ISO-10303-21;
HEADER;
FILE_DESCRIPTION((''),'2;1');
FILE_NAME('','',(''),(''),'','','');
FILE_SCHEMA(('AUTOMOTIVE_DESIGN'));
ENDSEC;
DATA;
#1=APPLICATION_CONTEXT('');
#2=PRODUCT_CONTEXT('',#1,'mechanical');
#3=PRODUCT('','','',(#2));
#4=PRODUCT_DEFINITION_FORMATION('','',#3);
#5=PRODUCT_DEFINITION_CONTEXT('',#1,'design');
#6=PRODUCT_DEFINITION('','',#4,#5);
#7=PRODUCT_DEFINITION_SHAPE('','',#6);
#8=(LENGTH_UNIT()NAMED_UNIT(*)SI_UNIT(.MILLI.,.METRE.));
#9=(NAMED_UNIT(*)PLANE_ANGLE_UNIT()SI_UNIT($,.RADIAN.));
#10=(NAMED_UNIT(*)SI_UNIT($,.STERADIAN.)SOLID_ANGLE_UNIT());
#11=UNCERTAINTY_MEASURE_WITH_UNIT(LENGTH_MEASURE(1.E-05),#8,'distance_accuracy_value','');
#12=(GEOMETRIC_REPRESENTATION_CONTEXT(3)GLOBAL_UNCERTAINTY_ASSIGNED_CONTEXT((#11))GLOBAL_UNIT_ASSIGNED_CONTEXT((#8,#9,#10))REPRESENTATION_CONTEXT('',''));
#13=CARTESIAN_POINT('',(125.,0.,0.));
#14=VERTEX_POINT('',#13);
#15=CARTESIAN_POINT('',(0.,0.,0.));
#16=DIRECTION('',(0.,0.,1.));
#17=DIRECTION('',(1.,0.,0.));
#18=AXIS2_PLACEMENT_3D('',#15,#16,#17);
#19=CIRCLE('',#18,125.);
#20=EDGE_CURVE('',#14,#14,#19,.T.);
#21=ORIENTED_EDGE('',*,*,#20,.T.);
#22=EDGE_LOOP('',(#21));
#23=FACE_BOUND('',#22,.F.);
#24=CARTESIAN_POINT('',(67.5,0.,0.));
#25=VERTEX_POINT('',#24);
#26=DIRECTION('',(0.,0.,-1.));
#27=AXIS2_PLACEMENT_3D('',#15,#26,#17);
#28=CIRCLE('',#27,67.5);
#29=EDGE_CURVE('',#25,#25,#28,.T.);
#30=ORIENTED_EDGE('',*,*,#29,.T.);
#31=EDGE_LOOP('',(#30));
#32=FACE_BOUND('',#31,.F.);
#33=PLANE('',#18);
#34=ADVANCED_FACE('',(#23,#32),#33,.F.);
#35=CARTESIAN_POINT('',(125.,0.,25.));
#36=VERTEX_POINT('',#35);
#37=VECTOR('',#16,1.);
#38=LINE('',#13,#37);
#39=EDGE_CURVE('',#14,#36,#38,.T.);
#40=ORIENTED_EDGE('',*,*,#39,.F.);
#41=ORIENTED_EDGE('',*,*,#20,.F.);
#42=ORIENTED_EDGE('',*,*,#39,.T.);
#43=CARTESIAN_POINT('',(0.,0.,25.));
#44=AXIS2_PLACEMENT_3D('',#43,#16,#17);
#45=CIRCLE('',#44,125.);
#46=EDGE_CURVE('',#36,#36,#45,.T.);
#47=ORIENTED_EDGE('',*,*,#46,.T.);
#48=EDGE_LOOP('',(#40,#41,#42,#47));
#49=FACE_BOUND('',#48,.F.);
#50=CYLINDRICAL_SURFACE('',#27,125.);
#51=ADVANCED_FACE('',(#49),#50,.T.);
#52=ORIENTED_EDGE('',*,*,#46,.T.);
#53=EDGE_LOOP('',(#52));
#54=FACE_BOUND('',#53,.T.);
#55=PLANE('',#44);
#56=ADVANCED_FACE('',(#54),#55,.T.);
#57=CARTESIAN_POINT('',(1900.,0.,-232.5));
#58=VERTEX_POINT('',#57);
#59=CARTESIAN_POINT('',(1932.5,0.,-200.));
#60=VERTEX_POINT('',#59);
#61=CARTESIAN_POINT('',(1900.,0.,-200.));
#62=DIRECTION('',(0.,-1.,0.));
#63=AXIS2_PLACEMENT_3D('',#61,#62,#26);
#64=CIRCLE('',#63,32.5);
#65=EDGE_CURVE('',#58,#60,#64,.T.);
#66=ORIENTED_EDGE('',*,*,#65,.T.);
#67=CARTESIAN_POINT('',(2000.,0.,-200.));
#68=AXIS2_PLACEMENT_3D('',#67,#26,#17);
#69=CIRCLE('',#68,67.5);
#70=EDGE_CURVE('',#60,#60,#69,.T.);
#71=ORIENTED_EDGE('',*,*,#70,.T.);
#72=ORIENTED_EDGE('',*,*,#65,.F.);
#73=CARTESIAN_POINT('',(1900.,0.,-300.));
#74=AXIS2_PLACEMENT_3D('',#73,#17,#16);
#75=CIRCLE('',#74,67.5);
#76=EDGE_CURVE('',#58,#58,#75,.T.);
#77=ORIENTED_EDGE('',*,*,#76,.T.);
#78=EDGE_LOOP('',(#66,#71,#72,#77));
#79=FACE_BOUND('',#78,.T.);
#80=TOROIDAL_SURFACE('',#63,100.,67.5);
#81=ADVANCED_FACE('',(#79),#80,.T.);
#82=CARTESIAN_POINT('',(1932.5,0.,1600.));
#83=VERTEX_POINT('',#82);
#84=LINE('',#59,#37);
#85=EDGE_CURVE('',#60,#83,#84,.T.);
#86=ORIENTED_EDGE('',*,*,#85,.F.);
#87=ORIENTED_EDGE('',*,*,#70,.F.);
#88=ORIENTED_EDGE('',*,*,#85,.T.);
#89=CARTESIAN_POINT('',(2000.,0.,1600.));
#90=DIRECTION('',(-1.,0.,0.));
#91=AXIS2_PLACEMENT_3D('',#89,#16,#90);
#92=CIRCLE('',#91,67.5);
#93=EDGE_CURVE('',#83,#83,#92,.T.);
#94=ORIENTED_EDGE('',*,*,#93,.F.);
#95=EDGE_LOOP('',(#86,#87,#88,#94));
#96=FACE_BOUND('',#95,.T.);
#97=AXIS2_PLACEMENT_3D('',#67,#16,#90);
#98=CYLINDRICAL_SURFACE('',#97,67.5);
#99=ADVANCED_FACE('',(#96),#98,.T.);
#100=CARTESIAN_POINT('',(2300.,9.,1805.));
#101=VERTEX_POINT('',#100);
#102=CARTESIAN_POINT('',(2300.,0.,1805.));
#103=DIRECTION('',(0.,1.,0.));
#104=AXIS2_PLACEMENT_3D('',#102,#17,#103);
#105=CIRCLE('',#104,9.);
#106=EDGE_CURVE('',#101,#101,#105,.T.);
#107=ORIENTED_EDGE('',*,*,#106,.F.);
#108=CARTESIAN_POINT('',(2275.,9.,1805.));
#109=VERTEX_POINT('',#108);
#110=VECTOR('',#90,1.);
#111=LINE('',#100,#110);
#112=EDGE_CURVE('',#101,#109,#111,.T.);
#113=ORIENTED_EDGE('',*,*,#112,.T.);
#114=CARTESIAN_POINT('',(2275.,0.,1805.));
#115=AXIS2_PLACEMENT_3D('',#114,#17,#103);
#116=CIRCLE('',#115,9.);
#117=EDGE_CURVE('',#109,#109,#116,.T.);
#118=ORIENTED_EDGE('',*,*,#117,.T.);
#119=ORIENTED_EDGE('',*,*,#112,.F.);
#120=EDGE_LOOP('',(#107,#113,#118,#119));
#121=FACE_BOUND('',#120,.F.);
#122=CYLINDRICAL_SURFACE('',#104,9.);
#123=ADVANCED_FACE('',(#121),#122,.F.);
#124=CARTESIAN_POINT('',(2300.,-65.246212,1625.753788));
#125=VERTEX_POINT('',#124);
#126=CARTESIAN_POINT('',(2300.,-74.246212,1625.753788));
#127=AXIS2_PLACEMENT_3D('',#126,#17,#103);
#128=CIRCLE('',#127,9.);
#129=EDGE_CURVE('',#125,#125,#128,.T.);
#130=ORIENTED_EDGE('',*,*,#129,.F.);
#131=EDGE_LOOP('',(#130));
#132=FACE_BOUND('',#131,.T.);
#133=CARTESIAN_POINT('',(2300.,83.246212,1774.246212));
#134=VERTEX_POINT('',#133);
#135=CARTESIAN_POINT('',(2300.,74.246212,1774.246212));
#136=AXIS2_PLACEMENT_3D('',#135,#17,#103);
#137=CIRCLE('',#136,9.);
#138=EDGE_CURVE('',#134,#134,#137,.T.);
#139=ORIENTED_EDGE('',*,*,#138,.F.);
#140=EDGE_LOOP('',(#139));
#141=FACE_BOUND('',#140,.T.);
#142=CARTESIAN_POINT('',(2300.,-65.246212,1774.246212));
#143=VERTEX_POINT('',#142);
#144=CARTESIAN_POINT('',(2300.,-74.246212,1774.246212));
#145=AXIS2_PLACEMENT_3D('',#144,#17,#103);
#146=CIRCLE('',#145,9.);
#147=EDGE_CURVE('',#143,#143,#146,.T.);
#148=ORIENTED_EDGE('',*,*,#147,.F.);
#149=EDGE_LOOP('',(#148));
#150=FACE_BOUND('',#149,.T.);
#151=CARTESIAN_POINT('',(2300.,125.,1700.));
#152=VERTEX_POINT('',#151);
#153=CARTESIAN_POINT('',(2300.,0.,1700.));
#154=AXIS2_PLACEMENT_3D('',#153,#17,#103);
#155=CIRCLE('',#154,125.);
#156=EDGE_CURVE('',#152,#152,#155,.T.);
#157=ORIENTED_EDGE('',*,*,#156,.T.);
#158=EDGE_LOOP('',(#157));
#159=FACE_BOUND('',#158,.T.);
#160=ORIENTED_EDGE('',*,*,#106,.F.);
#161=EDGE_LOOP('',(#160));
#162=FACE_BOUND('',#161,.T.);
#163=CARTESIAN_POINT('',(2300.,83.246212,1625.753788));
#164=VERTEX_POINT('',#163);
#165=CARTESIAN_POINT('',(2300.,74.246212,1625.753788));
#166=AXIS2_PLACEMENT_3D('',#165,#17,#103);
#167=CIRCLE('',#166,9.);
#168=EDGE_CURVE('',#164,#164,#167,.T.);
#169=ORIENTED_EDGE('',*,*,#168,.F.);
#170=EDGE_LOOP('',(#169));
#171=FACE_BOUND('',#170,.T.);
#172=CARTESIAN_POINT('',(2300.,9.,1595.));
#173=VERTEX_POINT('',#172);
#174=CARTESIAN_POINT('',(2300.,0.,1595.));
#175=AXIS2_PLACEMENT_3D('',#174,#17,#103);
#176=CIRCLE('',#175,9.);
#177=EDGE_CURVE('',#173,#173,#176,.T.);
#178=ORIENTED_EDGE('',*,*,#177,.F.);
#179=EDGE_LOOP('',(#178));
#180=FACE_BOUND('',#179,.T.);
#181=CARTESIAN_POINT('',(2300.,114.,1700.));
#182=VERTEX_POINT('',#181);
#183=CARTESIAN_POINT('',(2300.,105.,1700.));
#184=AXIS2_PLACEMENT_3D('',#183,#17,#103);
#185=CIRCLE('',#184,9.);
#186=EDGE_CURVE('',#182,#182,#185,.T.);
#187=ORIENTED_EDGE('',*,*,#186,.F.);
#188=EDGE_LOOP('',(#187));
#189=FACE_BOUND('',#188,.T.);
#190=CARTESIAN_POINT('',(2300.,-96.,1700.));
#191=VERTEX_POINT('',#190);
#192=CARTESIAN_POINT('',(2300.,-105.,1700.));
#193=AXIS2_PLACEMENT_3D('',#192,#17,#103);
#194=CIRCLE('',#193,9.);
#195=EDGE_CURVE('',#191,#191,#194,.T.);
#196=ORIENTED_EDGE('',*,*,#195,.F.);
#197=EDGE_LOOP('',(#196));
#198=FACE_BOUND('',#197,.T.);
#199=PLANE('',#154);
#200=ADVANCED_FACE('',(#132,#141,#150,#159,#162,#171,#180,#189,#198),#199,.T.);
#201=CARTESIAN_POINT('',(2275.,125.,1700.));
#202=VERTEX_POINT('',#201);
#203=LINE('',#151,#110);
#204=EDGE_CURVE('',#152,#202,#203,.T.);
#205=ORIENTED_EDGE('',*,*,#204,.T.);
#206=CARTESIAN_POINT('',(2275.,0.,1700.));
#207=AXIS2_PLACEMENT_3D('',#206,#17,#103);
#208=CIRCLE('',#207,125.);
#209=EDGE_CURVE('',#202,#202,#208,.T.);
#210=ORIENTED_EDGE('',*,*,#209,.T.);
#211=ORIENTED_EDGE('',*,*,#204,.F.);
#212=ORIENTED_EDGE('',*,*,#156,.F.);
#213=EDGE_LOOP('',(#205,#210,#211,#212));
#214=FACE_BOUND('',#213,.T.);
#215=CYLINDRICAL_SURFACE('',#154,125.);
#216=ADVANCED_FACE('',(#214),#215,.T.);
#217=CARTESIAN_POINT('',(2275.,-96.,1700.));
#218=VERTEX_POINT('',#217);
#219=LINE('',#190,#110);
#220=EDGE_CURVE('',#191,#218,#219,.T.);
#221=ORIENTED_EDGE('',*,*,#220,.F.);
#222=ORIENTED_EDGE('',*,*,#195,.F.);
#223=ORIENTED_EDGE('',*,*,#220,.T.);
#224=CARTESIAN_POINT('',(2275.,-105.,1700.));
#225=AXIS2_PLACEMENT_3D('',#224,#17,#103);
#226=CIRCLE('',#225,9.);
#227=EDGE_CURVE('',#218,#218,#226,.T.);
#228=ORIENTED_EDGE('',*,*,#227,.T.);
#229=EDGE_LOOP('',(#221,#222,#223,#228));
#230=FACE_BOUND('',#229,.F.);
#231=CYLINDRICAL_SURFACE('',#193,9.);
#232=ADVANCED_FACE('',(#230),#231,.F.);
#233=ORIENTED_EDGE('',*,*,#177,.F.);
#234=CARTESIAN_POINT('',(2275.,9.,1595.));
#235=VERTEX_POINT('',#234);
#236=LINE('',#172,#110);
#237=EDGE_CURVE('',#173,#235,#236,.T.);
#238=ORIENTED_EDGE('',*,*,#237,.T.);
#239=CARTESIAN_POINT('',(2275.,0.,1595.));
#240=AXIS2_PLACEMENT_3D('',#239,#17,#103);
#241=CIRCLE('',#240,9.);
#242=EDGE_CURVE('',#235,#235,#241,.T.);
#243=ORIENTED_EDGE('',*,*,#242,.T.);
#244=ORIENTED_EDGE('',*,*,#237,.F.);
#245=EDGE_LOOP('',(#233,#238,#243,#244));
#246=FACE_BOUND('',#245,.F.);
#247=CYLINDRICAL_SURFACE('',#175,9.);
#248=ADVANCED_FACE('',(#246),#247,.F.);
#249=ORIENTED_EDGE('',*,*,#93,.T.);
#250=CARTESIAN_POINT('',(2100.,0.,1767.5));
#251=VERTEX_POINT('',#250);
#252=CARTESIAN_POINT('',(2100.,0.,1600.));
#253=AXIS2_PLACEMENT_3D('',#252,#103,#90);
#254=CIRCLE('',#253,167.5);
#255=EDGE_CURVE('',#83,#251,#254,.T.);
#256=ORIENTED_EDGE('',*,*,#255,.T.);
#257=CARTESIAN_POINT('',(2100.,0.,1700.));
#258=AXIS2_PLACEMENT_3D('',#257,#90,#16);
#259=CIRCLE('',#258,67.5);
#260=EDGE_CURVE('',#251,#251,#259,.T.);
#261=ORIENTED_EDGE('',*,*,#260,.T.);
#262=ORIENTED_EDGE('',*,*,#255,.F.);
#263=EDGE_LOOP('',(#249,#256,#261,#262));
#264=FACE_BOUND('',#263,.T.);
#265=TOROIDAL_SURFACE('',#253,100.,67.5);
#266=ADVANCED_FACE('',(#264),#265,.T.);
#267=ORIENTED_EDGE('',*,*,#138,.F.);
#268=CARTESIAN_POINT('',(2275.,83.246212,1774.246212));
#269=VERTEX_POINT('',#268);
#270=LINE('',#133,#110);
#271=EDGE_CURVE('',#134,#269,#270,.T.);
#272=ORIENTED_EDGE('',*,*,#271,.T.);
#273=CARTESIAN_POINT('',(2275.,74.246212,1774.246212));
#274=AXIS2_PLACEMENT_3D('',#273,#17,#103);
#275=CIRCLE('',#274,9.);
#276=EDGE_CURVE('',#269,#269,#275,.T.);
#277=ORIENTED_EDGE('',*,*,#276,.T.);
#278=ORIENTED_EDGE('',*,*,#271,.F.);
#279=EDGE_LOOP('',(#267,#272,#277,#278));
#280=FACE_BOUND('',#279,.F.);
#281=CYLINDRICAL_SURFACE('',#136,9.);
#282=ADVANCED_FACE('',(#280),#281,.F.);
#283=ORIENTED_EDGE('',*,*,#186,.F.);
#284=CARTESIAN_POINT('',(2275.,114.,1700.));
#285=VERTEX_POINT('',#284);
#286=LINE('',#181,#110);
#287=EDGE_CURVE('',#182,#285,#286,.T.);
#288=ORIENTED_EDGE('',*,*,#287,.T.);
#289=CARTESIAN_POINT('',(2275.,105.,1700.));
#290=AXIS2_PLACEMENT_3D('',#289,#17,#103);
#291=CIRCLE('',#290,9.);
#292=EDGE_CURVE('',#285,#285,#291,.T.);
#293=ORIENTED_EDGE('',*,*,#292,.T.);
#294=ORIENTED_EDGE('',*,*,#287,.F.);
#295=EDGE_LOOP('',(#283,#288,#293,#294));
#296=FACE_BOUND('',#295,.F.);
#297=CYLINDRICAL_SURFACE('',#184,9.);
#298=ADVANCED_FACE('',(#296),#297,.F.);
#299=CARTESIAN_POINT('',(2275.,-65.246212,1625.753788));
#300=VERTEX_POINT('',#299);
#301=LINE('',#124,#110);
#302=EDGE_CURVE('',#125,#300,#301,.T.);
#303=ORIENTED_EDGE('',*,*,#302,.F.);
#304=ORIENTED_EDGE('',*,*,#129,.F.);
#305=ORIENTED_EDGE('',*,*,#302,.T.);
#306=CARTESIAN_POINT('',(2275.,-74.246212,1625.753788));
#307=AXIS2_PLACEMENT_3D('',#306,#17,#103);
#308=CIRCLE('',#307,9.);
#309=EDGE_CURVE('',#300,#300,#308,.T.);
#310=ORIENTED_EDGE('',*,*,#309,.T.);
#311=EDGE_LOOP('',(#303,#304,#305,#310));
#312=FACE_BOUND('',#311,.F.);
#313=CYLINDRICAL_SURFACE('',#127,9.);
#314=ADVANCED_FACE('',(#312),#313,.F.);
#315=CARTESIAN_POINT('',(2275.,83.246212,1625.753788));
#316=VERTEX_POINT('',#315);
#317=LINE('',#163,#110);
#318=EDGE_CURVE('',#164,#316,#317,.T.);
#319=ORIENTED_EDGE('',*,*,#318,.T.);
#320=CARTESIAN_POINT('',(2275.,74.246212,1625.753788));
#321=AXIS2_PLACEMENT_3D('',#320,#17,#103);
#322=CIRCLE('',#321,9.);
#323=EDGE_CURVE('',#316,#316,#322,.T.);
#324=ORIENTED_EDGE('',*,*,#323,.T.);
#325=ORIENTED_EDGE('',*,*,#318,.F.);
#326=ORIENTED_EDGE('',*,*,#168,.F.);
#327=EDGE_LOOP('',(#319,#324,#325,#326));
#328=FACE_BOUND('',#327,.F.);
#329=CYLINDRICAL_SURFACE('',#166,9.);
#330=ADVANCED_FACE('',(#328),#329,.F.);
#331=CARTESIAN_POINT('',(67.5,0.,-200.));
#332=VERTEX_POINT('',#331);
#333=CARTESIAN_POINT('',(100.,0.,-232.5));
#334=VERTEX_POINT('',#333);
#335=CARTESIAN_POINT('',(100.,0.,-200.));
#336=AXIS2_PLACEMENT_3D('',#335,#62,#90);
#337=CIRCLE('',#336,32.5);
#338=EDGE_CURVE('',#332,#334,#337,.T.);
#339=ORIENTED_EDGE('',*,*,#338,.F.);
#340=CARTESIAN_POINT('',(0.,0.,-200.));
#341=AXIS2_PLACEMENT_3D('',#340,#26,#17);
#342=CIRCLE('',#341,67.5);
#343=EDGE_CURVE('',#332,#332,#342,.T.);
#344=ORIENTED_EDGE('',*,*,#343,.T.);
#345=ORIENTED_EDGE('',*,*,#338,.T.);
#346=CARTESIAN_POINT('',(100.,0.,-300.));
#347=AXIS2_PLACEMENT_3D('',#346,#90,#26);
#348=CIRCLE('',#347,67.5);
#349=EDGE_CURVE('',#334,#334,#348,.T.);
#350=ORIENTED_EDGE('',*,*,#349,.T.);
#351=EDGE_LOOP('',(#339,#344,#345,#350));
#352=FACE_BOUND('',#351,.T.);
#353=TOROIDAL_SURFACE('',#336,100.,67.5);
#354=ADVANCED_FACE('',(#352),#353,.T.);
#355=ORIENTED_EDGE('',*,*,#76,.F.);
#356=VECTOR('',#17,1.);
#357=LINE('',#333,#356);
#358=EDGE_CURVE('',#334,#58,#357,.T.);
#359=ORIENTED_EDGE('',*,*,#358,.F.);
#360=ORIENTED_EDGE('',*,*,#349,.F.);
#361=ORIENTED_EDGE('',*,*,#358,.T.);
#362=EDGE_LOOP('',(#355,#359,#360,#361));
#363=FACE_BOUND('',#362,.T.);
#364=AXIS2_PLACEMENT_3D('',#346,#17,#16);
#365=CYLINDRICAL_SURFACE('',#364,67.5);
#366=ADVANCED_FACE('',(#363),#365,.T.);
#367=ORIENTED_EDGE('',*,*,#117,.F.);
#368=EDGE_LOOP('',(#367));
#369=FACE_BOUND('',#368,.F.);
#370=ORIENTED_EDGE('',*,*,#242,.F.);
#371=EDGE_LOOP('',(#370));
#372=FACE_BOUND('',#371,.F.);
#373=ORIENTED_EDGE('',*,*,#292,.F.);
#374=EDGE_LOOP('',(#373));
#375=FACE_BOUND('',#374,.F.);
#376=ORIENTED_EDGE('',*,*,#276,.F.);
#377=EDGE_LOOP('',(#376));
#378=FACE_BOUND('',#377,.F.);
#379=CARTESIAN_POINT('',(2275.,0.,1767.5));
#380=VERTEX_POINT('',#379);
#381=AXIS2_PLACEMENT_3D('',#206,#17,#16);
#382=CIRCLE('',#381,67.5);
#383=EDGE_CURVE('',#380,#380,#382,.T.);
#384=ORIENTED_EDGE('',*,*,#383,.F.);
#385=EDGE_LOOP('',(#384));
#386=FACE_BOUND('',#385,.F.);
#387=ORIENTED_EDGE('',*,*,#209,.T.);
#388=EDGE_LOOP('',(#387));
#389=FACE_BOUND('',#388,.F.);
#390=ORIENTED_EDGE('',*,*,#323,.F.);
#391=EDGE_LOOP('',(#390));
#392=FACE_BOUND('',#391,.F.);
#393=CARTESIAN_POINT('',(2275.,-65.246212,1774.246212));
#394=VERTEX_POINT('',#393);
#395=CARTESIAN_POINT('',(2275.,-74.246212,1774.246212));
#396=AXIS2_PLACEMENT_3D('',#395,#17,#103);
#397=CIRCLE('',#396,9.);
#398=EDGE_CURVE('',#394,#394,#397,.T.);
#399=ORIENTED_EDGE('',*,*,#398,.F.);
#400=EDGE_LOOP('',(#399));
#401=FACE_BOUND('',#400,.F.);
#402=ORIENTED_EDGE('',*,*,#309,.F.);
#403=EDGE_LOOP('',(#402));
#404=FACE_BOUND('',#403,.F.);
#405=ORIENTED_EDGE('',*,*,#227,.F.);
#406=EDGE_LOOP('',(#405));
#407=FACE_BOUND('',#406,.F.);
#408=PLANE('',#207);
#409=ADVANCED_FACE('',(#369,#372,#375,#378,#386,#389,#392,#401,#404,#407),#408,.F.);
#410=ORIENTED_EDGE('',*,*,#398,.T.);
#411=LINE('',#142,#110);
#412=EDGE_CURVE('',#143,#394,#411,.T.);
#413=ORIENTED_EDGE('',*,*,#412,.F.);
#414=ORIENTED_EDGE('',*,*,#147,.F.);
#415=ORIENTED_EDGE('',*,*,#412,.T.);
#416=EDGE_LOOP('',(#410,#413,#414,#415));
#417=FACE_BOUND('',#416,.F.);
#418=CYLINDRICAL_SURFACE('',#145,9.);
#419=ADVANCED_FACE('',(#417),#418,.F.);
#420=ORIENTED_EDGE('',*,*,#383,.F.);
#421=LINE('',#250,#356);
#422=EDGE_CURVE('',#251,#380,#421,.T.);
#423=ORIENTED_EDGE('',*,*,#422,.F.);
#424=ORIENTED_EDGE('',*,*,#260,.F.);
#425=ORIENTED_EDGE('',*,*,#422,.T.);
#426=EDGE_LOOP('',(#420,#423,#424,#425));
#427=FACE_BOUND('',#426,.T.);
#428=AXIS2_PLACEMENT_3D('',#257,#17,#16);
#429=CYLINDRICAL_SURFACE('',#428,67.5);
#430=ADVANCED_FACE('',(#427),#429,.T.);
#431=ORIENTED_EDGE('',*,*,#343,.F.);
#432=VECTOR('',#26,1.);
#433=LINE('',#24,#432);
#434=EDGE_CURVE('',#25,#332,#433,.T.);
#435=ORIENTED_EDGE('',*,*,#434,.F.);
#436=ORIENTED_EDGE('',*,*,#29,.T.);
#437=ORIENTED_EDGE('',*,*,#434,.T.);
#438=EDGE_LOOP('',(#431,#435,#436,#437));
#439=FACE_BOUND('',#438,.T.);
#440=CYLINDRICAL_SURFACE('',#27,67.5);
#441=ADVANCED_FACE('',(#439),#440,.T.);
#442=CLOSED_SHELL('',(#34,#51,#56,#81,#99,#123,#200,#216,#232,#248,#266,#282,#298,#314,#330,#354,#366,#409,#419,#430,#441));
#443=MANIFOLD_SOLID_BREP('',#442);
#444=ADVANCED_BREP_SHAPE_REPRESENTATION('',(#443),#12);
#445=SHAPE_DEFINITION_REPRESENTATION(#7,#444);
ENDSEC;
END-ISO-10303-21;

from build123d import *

# Parameters (mm, degrees)
F1_R      = 67.5
F1_R_2    = 125
F2_FACE_R = 67.5
F3_DEPTH  = 25
F4_R      = 125
F4_R_2    = 9
F4_R_3    = 67.5
F5_DEPTH  = 25


with BuildPart() as f2:
    # F2: sweep along a path in F0
    with BuildLine(Plane.XZ) as f2_path:
        Line((0, 0), (0, -200))
        ThreePointArc((0, -200), (29.2893218813, -270.7106781187), (100, -300))
        Line((100, -300), (1900, -300))
        ThreePointArc((1900, -300), (1970.7106781187, -270.7106781187), (2000, -200))
        Line((2000, -200), (2000, 1600))
        ThreePointArc((2000, 1600), (2029.2893218813, 1670.7106781187), (2100, 1700))
        Line((2100, 1700), (2300, 1700))
    # F1 (on Top) → F2 (sweep)
    with BuildSketch(Plane.XY):
        Circle(F1_R)
    sweep(path=f2_path.line)

    # F1 (on Top) + F2_face (on face) → F3 (join)
    with BuildSketch(Plane.XY):
        Circle(F1_R_2)
        Circle(F1_R, mode=Mode.SUBTRACT)
    with BuildSketch(Plane.XY):
        Circle(F2_FACE_R)
    extrude(amount=F3_DEPTH)

    # F4 (on face) → F5 (join)
    with BuildSketch(Plane.YZ.offset(2300)):
        with Locations((0, 1700)):
            Circle(F4_R)
        with Locations((-74.2462120246, 1625.7537879754)):
            Circle(F4_R_2, mode=Mode.SUBTRACT)
        with Locations((0, 1595)):
            Circle(F4_R_2, mode=Mode.SUBTRACT)
        with Locations((74.2462120246, 1625.7537879754)):
            Circle(F4_R_2, mode=Mode.SUBTRACT)
        with Locations((-105, 1700)):
            Circle(F4_R_2, mode=Mode.SUBTRACT)
        with Locations((-74.2462120246, 1774.2462120246)):
            Circle(F4_R_2, mode=Mode.SUBTRACT)
        with Locations((0, 1700)):
            Circle(F4_R_3, mode=Mode.SUBTRACT)
        with Locations((105, 1700)):
            Circle(F4_R_2, mode=Mode.SUBTRACT)
        with Locations((0, 1805)):
            Circle(F4_R_2, mode=Mode.SUBTRACT)
        with Locations((74.2462120246, 1774.2462120246)):
            Circle(F4_R_2, mode=Mode.SUBTRACT)
    extrude(amount=-F5_DEPTH)


solid = f2.part
